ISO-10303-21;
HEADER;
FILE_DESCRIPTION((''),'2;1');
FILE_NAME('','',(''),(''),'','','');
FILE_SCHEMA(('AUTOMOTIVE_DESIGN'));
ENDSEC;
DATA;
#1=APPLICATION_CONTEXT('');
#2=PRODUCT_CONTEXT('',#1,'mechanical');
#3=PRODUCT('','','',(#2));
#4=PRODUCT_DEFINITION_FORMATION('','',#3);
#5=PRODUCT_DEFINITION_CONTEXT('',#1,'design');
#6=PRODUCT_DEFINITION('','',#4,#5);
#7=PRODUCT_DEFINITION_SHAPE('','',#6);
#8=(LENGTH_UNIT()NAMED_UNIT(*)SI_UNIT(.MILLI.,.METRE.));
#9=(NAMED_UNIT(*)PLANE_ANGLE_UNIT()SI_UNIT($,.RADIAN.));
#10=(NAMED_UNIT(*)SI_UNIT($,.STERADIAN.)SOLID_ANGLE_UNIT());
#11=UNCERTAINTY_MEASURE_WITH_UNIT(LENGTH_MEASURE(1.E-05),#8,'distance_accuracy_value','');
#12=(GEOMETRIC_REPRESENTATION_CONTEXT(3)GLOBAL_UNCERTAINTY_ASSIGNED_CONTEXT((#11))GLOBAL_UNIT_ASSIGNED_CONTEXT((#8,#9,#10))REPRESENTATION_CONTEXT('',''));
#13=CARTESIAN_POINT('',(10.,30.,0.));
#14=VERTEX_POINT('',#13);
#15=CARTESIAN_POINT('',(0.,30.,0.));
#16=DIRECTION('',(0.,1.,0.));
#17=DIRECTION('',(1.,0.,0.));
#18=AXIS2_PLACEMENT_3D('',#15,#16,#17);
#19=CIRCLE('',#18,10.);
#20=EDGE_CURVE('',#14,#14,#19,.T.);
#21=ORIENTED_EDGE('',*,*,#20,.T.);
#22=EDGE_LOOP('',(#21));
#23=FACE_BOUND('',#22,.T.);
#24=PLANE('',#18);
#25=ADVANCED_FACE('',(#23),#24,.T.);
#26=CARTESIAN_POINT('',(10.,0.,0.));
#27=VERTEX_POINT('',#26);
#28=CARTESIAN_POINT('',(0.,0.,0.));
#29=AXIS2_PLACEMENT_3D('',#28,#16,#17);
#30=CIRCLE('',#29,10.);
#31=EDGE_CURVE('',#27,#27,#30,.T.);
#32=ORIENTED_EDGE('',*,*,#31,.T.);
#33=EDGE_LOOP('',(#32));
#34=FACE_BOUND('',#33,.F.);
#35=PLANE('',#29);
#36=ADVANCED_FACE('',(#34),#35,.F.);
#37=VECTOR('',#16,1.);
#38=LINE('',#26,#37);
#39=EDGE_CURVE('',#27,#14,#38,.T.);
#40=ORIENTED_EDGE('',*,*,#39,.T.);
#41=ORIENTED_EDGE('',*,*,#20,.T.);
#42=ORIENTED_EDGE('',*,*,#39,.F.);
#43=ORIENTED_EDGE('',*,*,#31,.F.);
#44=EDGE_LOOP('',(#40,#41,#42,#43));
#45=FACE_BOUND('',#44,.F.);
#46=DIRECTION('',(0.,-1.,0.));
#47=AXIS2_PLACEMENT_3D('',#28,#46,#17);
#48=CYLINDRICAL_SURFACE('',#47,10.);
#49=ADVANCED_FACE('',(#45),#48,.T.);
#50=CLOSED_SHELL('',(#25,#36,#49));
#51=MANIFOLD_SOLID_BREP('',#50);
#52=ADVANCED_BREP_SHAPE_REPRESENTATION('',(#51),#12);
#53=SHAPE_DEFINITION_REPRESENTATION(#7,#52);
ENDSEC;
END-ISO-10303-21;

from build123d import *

# Parameters (mm, degrees)
SKETCH1_R           = 10
BOSS_EXTRUDE1_DEPTH = 30


with BuildPart() as part:
    # Sketch1 → Boss-Extrude1 (new body)
    with BuildSketch(Plane(origin=(0, 0, 0), x_dir=(1, 0, 0), z_dir=(0, 1, 0))):
        Circle(SKETCH1_R)
    extrude(amount=BOSS_EXTRUDE1_DEPTH)


solid = part.part
